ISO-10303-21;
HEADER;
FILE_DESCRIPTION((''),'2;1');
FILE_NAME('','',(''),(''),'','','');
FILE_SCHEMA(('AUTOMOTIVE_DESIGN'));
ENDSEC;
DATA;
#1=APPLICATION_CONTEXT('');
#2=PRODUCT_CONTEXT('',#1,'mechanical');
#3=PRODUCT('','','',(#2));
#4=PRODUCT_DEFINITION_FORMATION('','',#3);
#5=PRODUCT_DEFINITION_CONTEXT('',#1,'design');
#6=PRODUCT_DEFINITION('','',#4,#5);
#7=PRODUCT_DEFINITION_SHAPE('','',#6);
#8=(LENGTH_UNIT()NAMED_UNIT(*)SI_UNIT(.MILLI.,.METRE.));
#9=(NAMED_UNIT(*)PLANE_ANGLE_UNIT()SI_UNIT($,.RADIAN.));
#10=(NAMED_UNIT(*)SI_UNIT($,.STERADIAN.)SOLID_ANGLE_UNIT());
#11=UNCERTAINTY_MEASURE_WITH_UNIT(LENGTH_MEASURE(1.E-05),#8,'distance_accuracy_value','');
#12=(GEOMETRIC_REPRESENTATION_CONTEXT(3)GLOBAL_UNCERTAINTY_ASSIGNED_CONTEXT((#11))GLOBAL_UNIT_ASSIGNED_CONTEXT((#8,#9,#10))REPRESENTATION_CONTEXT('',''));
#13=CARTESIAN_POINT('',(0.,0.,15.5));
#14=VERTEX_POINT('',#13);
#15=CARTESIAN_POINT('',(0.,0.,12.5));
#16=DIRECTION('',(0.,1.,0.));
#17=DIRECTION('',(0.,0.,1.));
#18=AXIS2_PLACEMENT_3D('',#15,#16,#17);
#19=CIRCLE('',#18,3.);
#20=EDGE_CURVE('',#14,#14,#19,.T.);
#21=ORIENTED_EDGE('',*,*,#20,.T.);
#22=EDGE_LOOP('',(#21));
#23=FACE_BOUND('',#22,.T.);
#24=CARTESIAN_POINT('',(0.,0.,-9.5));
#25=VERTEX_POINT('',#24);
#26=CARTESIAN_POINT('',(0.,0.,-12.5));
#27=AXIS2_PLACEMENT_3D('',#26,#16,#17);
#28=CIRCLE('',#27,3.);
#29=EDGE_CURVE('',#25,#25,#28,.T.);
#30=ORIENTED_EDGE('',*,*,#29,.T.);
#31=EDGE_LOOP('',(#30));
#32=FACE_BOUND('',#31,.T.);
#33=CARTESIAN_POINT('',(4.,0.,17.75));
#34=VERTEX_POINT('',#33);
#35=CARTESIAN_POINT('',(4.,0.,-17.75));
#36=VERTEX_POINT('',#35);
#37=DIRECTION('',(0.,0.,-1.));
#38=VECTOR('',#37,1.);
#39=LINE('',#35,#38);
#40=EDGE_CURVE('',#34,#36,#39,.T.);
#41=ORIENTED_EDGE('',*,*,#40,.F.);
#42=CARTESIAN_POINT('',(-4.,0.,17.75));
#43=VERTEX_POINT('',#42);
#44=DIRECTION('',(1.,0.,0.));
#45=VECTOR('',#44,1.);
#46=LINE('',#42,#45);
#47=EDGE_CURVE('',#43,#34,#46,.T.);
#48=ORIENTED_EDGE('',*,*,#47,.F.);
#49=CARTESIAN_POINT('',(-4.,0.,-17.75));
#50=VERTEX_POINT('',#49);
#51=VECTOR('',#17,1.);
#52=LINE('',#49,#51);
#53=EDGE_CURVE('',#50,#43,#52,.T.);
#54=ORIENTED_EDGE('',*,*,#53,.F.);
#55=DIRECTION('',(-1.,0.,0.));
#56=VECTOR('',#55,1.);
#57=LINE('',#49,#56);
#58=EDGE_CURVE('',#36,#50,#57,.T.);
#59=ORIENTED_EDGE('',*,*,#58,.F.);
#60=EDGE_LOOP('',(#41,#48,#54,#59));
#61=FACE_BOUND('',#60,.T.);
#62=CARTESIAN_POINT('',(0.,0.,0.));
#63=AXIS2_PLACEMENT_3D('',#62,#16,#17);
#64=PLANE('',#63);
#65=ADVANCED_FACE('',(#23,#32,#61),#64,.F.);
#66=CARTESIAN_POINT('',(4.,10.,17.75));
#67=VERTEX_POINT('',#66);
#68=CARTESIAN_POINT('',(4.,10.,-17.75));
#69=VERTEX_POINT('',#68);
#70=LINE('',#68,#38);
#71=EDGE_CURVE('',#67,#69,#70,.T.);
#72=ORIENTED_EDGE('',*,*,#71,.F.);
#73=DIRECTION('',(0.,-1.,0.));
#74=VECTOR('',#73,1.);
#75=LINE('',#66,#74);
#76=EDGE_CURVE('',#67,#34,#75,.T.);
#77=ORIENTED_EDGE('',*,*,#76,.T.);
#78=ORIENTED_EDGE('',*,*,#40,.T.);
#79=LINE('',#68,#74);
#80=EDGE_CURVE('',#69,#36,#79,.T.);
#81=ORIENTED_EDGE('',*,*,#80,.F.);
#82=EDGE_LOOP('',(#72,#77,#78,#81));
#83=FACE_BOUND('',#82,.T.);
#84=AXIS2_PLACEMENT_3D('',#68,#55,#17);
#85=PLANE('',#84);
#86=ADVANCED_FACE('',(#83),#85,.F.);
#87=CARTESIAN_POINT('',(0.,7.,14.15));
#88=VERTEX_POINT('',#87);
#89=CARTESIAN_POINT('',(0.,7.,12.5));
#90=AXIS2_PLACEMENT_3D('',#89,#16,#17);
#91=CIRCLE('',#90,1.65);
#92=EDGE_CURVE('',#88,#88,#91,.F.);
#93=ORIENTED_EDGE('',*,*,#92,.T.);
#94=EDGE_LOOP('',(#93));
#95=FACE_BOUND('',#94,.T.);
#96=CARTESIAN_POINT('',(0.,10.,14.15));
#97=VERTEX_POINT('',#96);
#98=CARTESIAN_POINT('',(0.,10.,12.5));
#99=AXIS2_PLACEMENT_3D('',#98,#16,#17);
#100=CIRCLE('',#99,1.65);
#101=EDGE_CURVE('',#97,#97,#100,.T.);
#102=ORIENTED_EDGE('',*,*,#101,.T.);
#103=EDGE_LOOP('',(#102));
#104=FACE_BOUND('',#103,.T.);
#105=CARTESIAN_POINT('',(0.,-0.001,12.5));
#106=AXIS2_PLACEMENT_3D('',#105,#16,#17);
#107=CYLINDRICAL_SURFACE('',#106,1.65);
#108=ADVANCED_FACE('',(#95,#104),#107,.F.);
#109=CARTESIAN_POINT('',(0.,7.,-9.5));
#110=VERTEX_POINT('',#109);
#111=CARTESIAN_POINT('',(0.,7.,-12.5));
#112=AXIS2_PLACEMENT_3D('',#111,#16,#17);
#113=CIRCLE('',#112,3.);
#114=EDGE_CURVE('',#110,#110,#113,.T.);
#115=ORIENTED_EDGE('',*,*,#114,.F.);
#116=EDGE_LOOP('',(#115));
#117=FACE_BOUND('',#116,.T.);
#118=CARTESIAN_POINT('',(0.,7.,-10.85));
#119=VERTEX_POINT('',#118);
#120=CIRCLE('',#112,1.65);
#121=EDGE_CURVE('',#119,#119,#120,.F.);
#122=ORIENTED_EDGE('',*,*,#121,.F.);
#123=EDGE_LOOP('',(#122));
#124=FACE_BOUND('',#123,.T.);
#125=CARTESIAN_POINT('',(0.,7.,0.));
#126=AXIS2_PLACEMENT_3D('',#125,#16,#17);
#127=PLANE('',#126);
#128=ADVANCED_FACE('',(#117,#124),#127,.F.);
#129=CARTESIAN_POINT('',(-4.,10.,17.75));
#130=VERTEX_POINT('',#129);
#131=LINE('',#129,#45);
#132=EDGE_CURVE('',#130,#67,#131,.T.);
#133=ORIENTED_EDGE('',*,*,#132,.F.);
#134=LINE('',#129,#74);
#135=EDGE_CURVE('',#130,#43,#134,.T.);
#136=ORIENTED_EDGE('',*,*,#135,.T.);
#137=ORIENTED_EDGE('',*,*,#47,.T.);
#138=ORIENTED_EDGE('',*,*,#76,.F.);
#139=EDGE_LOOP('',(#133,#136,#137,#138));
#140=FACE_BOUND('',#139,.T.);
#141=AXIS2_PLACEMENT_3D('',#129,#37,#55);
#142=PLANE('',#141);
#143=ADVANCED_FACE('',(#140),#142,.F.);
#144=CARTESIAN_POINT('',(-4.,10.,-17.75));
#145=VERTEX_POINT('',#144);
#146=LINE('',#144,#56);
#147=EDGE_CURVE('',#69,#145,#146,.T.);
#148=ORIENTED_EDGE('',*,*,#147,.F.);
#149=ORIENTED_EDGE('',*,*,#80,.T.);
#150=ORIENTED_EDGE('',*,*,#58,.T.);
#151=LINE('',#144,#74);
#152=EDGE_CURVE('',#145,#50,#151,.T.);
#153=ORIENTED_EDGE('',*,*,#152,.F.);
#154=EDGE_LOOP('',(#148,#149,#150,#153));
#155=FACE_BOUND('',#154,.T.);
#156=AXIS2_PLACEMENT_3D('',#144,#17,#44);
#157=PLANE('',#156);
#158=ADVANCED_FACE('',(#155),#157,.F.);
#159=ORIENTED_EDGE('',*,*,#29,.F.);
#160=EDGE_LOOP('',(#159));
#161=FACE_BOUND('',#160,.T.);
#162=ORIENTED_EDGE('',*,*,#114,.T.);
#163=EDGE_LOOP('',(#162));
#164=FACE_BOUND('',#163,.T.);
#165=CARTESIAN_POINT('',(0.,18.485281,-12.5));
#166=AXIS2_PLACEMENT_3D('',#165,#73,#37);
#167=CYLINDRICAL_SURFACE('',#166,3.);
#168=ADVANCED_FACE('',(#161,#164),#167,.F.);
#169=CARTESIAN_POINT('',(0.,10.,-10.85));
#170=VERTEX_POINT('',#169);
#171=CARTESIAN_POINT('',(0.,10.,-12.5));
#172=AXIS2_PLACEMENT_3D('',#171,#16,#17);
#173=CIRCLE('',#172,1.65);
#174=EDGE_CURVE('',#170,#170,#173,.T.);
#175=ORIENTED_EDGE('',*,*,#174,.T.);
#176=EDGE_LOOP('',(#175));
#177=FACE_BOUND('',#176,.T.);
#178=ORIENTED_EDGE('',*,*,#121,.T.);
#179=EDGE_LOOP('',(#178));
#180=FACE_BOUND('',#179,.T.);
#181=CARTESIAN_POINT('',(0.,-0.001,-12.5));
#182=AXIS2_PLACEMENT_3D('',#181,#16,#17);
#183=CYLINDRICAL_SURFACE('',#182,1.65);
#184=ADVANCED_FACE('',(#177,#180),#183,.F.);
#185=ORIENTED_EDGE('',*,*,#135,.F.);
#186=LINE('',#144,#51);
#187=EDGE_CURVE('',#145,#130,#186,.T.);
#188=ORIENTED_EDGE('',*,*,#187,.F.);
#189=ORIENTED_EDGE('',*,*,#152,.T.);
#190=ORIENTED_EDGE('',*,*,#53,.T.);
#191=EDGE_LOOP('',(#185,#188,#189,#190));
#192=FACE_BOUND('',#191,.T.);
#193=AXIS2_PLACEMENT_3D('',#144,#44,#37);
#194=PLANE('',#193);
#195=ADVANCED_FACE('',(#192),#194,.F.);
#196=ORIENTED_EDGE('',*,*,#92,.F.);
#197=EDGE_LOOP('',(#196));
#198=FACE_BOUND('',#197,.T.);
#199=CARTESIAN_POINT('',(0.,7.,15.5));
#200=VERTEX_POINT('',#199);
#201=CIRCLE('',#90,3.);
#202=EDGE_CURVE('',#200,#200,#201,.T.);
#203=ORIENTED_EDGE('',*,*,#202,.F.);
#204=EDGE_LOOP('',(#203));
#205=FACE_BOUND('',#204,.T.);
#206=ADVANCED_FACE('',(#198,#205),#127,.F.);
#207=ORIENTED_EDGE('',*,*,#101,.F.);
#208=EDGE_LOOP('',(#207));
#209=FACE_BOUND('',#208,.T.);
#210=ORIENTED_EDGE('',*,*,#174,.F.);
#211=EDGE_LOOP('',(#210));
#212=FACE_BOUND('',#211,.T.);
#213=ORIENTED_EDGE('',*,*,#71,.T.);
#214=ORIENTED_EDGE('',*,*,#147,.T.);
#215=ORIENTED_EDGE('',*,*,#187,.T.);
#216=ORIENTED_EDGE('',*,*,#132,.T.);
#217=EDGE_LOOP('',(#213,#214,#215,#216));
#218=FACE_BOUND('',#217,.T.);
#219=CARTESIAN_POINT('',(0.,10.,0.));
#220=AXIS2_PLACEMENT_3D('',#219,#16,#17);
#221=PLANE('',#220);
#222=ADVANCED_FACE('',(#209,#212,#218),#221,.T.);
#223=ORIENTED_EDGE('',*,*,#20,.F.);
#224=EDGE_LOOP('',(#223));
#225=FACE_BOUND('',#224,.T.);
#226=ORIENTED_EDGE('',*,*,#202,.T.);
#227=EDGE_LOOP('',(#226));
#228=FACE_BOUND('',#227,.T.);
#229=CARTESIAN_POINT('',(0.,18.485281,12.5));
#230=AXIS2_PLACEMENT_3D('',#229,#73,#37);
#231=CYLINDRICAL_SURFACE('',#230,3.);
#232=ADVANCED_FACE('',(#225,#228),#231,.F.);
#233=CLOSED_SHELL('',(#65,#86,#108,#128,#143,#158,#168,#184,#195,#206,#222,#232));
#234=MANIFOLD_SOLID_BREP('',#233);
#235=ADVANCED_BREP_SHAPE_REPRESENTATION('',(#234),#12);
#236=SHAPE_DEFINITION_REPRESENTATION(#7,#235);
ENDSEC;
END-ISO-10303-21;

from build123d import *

# Parameters (mm, degrees)
SKETCH_1_W          = 8
SKETCH_1_H          = 35.5
EXTRUDE_1_DEPTH     = 10
CUT_EXTRUDE_1_REACH = 22.762
SKETCH_2_R          = 1.65
SKETCH_3_R          = 3
CUT_EXTRUDE_2_DEPTH = 7


with BuildPart() as part:
    # 草图1 → 凸台-拉伸1 (new body)
    with BuildSketch(Plane(origin=(0, 0, 0), x_dir=(1, 0, 0), z_dir=(0, 1, 0))):
        Rectangle(SKETCH_1_W, SKETCH_1_H)
    extrude(amount=EXTRUDE_1_DEPTH)

    # 草图2 → 切除-拉伸1 (cut, up to next)
    with BuildSketch(Plane(origin=(0, 10, 0), x_dir=(1, 0, 0), z_dir=(0, 1, 0)), mode=Mode.PRIVATE) as cut_extrude_1_sk1:
        with Locations(Location((0, 12.5, 0), (0, 0, 270))):
            Circle(SKETCH_2_R)
    cut_extrude_1_tool1 = extrude(cut_extrude_1_sk1.sketch, amount=-CUT_EXTRUDE_1_REACH, mode=Mode.PRIVATE) & part.part
    # 草图2 → 切除-拉伸1 (cut, up to next)
    with BuildSketch(Plane(origin=(0, 10, 0), x_dir=(1, 0, 0), z_dir=(0, 1, 0)), mode=Mode.PRIVATE) as cut_extrude_1_sk2:
        with Locations(Location((0, -12.5, 0), (0, 0, 270))):
            Circle(SKETCH_2_R)
    cut_extrude_1_tool2 = extrude(cut_extrude_1_sk2.sketch, amount=-CUT_EXTRUDE_1_REACH, mode=Mode.PRIVATE) & part.part
    add(cut_extrude_1_tool1.solids().sort_by_distance((0, 10, -12.5))[0], mode=Mode.SUBTRACT)
    add(cut_extrude_1_tool2.solids().sort_by_distance((0, 10, 12.5))[0], mode=Mode.SUBTRACT)

    # 草图3 → 切除-拉伸2 (cut)
    with BuildSketch(Plane(origin=(0, 0, 0), x_dir=(1, 0, 0), z_dir=(0, 1, 0))):
        with Locations(Location((0, 12.5, 0), (0, 0, 270))):
            Circle(SKETCH_3_R)
        with Locations(Location((0, -12.5, 0), (0, 0, 270))):
            Circle(SKETCH_3_R)
    extrude(amount=CUT_EXTRUDE_2_DEPTH, mode=Mode.SUBTRACT)


solid = part.part
